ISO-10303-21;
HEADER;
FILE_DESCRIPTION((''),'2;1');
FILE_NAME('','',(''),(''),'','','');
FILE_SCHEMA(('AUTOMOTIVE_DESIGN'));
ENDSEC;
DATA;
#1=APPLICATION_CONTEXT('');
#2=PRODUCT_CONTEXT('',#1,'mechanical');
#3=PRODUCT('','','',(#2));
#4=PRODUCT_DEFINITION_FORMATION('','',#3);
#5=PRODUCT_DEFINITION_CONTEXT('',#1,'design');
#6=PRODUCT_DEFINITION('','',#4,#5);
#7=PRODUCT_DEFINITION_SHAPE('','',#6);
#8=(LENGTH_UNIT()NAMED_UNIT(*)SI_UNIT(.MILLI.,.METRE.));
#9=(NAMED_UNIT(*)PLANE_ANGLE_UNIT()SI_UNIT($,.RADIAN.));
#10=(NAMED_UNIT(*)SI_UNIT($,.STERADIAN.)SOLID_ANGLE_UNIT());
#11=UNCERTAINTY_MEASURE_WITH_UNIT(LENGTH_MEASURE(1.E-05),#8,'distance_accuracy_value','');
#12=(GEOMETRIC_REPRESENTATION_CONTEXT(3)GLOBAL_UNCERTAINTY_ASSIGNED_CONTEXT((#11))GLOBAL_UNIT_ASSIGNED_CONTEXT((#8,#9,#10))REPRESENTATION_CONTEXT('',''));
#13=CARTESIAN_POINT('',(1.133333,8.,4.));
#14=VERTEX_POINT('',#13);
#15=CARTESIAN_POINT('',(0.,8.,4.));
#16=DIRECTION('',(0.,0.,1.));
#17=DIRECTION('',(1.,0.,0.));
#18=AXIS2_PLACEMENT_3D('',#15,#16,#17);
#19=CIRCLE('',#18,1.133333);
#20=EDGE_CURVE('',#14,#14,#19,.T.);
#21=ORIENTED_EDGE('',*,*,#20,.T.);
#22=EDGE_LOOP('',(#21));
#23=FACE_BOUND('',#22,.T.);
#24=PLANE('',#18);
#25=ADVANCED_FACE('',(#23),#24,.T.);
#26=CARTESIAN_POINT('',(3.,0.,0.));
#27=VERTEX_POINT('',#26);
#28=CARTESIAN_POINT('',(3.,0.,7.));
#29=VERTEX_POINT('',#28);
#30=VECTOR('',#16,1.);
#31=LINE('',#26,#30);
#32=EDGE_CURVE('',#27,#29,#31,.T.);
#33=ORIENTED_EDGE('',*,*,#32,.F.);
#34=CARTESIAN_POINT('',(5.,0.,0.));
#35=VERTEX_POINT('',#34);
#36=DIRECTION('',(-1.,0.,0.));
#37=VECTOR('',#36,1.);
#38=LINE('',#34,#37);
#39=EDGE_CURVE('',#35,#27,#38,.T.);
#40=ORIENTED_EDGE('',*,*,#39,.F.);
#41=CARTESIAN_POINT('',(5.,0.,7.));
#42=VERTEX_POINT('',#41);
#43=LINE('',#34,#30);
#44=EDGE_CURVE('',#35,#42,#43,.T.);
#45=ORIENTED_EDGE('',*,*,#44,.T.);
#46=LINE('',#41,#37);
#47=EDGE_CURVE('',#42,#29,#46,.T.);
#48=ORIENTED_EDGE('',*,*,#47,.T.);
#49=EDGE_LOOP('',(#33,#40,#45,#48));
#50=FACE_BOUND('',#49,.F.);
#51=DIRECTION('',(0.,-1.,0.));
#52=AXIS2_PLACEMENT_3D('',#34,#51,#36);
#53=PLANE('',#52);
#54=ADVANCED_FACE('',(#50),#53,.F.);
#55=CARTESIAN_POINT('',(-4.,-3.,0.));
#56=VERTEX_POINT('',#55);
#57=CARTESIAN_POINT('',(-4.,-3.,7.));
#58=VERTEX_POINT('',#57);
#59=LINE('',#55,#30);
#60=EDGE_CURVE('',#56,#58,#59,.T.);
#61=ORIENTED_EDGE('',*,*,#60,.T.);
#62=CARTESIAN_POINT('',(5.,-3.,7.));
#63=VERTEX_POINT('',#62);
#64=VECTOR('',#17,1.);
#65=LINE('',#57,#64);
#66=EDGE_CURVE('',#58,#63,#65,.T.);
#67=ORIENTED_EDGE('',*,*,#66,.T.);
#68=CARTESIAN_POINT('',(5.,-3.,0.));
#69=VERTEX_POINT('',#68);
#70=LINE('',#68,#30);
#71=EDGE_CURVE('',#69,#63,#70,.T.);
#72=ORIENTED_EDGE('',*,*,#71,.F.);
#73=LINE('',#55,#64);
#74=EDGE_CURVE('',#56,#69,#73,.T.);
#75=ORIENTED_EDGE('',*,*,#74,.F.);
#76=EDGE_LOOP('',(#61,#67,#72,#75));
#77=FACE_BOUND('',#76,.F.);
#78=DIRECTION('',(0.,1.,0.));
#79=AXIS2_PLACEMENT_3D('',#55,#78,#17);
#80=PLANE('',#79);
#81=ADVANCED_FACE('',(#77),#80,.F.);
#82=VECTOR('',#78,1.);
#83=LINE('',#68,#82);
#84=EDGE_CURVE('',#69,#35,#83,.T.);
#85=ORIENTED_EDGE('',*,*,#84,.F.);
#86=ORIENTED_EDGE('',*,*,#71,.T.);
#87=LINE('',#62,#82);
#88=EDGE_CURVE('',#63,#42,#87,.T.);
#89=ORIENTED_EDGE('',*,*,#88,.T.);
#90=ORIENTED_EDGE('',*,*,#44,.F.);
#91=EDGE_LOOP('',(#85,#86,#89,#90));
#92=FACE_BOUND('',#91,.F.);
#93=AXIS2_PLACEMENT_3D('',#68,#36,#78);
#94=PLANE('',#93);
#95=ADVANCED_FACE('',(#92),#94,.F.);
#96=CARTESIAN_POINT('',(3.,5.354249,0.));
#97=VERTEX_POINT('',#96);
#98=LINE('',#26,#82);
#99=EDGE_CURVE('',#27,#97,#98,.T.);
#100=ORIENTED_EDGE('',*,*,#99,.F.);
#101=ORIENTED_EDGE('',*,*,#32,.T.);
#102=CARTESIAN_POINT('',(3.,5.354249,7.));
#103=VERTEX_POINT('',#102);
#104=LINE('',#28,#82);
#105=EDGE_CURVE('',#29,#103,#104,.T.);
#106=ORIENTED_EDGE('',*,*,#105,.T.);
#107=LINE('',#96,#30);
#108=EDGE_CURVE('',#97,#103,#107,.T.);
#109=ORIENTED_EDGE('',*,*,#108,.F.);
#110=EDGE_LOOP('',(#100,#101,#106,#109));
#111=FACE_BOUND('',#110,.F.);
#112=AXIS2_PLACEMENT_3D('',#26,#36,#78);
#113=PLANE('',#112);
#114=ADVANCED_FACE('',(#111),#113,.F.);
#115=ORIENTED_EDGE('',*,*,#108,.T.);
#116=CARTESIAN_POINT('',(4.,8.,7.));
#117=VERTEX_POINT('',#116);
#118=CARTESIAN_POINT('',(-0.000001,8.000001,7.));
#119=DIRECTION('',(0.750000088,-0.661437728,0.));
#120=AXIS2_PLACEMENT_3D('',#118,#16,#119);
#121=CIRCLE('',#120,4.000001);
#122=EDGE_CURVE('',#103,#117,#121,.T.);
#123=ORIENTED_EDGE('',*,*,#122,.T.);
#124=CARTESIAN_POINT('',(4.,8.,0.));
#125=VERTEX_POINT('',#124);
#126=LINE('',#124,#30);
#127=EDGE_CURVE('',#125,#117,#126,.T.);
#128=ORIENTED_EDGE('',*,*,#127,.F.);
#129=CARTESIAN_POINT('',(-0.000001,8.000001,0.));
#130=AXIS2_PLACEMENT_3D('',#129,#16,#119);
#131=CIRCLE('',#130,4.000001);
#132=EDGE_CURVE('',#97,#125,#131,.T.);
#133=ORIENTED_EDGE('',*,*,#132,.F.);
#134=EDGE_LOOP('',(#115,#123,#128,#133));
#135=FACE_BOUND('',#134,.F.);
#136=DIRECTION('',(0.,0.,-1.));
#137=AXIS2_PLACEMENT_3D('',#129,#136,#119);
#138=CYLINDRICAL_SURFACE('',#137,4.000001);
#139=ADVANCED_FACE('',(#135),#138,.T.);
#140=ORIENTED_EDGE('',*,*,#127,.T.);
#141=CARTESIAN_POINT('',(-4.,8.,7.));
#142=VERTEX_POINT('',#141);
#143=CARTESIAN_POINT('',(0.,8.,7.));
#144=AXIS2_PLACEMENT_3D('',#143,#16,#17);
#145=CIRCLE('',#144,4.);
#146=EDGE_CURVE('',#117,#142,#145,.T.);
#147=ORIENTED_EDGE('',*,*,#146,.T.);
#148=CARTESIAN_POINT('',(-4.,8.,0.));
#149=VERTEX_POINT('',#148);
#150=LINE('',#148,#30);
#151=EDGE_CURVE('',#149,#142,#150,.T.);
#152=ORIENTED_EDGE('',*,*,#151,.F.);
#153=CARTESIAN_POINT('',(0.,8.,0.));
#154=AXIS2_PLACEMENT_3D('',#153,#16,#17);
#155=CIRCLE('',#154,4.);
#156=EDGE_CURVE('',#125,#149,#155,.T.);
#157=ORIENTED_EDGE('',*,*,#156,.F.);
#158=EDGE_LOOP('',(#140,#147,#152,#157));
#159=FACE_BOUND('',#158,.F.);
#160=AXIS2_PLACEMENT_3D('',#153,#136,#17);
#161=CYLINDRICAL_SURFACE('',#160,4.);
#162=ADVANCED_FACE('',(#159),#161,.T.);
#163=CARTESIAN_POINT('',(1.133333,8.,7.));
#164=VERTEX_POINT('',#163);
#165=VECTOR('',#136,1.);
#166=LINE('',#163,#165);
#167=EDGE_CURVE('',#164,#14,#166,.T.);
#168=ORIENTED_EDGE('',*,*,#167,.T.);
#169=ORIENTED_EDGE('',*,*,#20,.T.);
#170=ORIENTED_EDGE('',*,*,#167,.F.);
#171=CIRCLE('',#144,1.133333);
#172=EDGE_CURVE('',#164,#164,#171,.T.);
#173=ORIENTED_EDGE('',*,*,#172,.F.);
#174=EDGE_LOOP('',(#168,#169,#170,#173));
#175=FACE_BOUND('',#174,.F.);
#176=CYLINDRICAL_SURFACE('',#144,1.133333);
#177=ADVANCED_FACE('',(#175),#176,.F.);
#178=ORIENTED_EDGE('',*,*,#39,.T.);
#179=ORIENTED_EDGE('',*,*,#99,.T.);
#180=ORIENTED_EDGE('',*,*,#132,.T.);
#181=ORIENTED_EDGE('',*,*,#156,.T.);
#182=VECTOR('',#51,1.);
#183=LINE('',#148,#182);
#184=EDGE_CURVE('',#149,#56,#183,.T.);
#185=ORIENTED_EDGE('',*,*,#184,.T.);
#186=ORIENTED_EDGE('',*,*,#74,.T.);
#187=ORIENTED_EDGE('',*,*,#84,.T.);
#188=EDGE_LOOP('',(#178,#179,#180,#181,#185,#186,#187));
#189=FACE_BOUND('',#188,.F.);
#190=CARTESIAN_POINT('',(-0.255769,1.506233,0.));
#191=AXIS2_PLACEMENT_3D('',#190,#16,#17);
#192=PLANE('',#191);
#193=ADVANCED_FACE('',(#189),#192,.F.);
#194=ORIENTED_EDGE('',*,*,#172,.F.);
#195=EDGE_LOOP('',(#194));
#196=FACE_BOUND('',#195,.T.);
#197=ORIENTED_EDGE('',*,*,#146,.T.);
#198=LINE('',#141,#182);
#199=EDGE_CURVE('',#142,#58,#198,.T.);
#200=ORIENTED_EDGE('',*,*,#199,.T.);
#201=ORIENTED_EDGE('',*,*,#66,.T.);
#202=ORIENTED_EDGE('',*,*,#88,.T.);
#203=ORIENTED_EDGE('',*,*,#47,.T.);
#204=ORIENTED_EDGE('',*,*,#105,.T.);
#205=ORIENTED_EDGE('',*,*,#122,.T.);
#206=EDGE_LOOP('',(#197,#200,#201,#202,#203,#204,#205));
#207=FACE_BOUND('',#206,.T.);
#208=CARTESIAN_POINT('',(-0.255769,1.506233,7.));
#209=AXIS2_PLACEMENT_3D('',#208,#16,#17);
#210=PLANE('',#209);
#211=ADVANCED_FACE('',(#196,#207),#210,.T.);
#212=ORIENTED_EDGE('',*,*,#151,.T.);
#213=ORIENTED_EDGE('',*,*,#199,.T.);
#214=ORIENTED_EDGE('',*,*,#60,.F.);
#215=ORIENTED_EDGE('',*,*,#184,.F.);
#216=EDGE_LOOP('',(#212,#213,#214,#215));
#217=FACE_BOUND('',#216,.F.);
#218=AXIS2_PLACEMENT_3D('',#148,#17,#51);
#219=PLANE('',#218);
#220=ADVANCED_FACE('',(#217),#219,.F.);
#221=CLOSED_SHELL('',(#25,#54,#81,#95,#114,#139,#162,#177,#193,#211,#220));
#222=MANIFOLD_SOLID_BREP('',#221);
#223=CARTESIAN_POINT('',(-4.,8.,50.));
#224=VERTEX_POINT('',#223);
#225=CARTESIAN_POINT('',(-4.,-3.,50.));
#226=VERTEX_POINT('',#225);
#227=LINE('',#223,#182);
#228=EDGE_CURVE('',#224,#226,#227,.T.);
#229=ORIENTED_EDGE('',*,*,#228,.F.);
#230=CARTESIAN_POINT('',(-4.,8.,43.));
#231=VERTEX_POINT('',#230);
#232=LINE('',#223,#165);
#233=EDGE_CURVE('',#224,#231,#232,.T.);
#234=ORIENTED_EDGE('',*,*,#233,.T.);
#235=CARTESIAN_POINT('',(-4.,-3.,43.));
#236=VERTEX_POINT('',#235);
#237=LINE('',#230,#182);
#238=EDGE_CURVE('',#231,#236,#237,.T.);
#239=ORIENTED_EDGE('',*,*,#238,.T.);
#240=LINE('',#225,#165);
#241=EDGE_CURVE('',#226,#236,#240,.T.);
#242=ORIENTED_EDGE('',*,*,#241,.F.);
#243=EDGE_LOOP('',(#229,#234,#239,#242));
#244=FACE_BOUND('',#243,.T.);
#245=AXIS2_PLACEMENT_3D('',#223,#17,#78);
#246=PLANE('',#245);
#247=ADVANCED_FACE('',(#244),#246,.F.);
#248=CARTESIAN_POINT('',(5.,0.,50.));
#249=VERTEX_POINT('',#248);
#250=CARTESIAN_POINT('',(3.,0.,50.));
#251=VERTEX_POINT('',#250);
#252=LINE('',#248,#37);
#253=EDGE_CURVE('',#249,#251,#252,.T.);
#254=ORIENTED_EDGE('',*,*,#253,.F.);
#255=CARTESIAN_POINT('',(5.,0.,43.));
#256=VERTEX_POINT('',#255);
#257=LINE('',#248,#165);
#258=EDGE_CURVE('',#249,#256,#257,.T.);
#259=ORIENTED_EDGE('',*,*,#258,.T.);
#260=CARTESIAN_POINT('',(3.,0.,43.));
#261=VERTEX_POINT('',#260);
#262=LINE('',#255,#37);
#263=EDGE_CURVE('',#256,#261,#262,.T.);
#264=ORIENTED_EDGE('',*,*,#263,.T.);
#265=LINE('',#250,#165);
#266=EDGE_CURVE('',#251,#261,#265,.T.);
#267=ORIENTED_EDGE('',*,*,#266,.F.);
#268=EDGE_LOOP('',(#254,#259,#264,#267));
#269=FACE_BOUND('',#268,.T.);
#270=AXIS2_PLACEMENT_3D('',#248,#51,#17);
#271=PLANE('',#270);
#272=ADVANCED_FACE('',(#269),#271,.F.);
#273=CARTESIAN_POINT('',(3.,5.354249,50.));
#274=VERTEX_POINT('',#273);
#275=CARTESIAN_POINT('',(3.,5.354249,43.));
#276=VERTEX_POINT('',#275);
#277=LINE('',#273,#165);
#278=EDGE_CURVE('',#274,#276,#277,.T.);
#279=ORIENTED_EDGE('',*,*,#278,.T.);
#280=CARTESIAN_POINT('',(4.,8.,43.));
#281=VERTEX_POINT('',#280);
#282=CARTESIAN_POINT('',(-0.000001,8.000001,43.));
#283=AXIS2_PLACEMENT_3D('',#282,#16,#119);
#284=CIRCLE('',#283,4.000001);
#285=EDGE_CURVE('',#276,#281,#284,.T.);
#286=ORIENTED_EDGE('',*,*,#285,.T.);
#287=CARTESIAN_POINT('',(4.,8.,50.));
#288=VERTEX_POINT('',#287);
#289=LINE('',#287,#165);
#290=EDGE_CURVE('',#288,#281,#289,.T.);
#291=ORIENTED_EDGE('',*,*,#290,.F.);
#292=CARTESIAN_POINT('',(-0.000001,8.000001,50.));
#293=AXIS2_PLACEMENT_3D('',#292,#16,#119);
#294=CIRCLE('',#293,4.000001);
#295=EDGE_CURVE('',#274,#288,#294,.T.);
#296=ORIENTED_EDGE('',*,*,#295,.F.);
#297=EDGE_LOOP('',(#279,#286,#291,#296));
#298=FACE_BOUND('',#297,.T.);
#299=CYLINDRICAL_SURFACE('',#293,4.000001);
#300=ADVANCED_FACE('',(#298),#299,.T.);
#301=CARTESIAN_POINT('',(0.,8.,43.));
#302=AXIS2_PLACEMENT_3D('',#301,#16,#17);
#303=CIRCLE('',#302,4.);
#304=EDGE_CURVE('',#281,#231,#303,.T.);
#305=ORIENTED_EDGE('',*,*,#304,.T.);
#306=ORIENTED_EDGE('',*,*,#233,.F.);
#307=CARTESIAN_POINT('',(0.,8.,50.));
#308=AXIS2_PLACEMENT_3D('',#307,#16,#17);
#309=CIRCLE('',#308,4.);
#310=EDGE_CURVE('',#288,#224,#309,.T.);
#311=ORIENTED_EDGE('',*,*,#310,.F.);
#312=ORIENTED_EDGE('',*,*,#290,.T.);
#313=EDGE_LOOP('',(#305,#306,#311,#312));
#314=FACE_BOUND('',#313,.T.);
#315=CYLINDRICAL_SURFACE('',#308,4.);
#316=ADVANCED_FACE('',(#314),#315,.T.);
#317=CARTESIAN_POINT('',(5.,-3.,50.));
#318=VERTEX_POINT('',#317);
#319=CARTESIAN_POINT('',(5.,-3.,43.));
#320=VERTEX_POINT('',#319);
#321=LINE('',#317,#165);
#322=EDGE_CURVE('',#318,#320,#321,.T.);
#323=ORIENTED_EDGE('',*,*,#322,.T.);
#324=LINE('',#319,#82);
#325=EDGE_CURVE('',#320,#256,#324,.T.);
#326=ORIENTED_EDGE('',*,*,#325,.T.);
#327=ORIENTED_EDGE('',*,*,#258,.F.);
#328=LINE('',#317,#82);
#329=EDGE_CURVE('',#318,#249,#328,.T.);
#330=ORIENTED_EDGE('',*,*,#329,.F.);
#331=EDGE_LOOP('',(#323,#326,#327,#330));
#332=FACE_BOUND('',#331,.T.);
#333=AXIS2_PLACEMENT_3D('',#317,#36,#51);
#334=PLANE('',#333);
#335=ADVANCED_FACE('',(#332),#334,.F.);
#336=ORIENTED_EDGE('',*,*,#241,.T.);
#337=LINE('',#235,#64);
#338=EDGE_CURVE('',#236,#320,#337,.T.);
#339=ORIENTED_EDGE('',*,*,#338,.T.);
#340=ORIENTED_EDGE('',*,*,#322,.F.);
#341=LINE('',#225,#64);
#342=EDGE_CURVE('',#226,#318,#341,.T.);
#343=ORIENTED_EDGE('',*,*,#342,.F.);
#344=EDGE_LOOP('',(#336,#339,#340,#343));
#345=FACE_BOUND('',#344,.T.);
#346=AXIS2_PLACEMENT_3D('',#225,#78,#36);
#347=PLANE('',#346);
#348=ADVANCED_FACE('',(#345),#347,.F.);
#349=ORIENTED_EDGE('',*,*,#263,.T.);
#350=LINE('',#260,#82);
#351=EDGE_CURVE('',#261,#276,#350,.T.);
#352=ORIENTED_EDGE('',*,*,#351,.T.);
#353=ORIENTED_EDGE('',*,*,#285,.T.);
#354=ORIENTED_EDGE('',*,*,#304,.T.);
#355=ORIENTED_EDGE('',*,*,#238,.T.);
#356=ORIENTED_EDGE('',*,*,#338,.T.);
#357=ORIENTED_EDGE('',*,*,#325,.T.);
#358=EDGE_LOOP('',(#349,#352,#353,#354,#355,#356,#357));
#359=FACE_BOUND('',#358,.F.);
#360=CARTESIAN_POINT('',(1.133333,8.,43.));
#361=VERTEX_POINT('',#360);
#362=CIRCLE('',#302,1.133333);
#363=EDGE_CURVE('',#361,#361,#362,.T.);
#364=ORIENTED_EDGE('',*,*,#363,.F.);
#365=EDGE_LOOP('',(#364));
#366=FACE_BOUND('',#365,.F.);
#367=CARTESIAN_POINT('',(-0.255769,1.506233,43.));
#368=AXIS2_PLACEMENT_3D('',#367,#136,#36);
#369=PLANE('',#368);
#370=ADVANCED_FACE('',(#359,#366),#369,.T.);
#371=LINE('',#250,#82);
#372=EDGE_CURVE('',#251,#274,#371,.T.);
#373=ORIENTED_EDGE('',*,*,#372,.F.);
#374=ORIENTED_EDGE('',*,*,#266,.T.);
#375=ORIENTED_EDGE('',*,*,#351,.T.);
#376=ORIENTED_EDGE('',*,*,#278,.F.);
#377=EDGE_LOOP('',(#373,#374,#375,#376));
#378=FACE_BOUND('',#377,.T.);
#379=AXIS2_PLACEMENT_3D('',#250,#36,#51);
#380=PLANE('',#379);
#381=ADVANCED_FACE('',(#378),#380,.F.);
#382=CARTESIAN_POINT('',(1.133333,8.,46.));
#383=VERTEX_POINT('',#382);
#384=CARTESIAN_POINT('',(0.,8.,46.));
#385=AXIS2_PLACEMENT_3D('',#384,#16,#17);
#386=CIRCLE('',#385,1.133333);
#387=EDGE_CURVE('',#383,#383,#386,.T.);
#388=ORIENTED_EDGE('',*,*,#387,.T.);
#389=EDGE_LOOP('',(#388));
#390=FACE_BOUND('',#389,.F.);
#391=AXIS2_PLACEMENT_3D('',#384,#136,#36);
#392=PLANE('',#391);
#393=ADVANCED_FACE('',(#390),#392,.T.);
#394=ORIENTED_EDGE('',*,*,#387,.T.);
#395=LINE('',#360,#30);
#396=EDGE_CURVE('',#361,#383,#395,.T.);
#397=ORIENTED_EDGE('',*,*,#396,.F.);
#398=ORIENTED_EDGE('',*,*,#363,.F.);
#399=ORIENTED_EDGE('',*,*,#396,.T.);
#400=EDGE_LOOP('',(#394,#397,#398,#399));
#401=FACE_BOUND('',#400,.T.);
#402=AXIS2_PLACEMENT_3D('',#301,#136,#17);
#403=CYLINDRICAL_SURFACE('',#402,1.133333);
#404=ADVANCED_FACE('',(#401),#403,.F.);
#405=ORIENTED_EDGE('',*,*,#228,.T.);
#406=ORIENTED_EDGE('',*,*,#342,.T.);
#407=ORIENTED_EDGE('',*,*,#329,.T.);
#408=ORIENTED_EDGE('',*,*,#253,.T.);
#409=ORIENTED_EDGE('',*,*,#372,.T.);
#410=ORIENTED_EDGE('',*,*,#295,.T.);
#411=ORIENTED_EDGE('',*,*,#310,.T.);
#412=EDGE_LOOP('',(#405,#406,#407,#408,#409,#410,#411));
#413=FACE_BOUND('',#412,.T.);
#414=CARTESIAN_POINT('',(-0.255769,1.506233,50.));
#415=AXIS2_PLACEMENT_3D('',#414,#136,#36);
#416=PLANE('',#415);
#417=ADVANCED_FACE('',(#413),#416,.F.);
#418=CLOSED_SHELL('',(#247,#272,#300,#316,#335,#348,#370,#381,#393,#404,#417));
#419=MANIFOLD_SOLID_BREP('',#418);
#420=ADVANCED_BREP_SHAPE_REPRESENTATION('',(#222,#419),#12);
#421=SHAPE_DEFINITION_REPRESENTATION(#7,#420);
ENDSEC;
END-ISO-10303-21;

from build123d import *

# Parameters (mm, degrees)
F1_DEPTH = 7
F2_R     = 1.133333
F4_DEPTH = 3


with BuildPart() as f1:
    # F0 (on Top) → F1 (new body)
    with BuildSketch(Plane.XY):
        with BuildLine():
            ThreePointArc((3, 5.354249), (-1.414214, 4.258343), (-4, 8))
            Line((-4, 8), (-4, -3))
            Line((-4, -3), (5, -3))
            Line((5, -3), (5, 0))
            Line((5, 0), (3, 0))
            Line((3, 0), (3, 5.354249))
        make_face()
        with BuildLine():
            ThreePointArc((3, 5.354249), (3.741657, 6.585786), (4, 8))
            ThreePointArc((4, 8), (0, 12), (-4, 8))
            ThreePointArc((-4, 8), (-1.414214, 4.258343), (3, 5.354249))
        make_face()
    extrude(amount=F1_DEPTH)

    # F2 (on face) → F4 (cut)
    with BuildSketch(Plane.XY.offset(7)):
        with Locations((0, 8)):
            Circle(F2_R)
    extrude(amount=-F4_DEPTH, mode=Mode.SUBTRACT)


with BuildPart() as f5_1:
    # F5: instance of F1
    add(f1.part.mirror(Plane.XY.offset(25)))


solid = Compound([f1.part, f5_1.part])
